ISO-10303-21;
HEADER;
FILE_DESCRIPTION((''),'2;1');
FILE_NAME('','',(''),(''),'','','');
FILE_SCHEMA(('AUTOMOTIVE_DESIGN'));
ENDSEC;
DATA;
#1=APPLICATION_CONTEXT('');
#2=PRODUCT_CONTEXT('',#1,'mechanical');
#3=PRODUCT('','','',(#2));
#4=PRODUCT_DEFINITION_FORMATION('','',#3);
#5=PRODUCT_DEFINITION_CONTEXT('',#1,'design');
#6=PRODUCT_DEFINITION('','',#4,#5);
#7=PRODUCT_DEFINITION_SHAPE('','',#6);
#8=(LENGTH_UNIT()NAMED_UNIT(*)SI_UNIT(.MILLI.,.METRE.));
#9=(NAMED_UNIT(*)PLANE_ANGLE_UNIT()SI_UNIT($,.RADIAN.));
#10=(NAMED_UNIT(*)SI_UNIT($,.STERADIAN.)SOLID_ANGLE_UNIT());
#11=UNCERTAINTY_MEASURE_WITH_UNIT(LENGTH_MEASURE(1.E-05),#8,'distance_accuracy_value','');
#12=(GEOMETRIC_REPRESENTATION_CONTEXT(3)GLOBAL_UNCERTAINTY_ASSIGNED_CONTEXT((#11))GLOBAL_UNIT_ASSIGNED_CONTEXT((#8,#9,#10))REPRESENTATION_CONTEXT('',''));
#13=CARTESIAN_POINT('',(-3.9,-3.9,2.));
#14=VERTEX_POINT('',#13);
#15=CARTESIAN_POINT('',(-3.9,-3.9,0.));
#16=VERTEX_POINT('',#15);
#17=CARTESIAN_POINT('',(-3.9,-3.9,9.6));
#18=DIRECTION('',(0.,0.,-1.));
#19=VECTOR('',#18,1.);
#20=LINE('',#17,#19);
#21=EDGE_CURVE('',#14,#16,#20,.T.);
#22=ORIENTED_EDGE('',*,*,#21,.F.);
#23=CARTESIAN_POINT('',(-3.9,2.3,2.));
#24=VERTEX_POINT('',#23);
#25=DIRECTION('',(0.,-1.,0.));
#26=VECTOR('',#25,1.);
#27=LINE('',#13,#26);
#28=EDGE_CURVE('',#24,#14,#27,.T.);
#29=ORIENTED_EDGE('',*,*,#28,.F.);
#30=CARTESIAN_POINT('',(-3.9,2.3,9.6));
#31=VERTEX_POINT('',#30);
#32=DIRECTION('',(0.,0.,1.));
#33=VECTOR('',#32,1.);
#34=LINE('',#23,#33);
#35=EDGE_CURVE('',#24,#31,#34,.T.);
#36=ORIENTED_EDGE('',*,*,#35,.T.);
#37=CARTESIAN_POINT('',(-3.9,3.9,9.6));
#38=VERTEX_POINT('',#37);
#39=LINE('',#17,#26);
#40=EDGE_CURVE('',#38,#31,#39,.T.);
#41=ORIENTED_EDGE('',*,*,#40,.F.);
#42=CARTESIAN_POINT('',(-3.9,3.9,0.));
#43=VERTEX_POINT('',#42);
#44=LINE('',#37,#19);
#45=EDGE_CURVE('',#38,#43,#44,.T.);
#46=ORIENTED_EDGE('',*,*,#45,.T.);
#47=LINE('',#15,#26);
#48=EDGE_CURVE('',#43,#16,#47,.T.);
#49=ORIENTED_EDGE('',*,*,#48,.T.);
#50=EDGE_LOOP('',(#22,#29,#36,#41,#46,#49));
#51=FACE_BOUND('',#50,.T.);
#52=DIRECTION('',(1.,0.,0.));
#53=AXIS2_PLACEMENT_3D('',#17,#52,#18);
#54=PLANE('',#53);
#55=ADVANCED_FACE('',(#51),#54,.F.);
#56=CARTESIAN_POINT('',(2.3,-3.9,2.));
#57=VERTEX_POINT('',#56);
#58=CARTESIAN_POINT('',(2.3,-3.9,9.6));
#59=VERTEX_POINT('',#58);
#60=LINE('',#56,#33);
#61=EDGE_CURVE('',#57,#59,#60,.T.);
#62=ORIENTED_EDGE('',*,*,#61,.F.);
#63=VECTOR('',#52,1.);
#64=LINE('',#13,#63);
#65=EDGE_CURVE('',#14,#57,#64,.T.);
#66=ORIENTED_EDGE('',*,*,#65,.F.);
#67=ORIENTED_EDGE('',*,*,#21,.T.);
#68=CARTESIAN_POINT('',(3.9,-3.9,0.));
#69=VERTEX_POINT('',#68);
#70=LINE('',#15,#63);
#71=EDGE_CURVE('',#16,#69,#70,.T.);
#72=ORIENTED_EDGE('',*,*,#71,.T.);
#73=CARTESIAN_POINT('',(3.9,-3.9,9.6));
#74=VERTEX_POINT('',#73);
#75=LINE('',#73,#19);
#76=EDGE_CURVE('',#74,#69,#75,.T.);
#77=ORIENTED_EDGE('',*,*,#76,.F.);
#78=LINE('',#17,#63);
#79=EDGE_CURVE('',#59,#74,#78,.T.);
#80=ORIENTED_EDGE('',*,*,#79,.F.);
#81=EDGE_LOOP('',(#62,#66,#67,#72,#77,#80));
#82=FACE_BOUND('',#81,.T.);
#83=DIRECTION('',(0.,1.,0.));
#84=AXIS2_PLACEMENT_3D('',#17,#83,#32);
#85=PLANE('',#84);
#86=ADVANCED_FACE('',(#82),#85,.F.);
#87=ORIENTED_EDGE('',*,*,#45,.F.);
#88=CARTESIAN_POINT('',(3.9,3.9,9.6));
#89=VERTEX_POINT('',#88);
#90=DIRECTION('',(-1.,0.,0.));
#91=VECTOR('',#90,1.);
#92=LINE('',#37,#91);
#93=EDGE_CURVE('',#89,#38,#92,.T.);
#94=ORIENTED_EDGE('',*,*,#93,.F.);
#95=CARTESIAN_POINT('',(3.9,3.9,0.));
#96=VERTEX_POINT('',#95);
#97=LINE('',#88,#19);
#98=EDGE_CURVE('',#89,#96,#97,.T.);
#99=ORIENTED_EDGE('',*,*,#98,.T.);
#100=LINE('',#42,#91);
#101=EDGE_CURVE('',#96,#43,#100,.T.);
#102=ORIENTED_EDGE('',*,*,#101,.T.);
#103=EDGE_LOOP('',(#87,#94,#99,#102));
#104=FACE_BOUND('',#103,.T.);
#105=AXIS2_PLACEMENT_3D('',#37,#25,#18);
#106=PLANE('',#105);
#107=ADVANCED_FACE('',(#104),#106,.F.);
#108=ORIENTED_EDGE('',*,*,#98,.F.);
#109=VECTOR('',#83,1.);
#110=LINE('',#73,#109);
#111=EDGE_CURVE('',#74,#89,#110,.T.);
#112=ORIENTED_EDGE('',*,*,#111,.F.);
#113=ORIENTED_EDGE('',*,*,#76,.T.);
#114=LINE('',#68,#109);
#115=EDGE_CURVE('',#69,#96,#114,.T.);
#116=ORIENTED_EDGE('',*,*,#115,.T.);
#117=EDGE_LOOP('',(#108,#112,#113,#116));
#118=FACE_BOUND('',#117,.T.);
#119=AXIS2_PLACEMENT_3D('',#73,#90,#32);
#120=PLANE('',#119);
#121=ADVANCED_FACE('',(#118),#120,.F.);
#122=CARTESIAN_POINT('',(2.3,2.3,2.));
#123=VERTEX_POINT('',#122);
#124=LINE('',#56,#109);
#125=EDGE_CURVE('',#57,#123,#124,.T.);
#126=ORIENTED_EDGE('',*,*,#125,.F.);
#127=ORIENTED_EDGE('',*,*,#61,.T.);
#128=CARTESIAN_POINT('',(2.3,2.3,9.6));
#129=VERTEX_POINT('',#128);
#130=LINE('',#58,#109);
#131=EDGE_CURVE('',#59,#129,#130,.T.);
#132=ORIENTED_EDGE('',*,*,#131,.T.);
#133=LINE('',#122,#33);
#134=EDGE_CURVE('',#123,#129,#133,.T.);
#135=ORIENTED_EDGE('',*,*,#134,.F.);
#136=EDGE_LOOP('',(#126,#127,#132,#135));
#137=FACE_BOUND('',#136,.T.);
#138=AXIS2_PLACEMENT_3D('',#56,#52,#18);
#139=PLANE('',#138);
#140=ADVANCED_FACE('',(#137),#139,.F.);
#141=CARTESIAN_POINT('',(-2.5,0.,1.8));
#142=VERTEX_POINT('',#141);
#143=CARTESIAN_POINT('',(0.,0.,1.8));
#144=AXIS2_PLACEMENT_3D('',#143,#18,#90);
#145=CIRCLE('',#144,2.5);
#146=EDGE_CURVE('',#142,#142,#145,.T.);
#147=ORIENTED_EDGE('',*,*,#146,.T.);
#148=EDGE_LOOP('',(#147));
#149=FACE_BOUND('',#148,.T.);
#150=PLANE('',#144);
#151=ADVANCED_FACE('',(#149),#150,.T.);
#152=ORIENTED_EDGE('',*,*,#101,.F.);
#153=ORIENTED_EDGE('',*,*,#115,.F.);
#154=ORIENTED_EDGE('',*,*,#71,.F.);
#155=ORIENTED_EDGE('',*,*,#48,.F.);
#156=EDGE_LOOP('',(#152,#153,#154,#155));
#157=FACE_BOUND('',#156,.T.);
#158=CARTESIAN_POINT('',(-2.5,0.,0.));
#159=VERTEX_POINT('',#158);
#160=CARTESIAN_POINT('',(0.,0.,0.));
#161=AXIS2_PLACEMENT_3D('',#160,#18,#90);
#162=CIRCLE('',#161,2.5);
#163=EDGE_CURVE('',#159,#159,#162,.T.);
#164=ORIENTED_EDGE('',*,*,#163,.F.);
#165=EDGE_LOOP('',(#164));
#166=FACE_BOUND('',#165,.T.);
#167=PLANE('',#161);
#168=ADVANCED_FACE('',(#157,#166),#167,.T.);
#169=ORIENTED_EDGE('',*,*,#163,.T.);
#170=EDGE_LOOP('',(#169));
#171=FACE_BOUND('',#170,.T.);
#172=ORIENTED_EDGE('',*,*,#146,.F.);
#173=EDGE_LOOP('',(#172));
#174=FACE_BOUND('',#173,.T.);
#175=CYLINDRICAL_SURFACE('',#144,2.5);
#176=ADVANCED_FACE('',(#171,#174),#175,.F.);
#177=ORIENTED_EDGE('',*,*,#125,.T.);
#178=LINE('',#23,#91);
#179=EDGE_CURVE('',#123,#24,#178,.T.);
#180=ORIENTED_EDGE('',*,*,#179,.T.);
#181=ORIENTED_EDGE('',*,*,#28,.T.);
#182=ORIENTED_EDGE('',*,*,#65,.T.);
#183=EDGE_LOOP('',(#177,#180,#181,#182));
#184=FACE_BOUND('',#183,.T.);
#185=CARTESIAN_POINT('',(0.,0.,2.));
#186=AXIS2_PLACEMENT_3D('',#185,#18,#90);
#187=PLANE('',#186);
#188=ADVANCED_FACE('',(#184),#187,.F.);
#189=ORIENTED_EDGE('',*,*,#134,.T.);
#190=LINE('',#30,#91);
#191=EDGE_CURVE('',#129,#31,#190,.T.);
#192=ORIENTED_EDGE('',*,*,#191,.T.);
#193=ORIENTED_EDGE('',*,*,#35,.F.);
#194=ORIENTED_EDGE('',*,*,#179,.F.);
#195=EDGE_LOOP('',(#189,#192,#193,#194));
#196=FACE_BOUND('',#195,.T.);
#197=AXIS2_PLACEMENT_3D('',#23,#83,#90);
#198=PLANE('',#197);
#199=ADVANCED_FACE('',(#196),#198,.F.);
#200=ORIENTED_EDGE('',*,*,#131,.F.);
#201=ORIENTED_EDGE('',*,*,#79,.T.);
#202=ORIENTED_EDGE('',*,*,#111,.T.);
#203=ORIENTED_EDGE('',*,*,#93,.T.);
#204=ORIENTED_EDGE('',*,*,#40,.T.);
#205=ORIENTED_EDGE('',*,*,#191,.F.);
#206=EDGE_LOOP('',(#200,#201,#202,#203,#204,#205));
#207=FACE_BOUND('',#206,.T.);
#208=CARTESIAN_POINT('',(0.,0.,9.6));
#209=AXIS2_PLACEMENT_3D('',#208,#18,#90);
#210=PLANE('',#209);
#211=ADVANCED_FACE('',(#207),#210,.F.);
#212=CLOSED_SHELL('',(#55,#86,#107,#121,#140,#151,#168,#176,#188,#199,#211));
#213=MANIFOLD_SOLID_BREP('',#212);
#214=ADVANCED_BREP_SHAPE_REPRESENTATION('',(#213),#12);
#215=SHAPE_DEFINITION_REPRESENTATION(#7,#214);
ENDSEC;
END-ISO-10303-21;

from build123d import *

# Parameters (mm, degrees)
SKETCH_1_W          = 7.8
SKETCH_1_H          = 7.8
EXTRUDE_1_DEPTH     = 9.6
SKETCH_6_W          = 6.2
SKETCH_6_H          = 6.2
CUT_EXTRUDE_8_DEPTH = 7.6
SKETCH_9_R          = 2.5
CUT_EXTRUDE_9_DEPTH = 1.8


with BuildPart() as part:
    # Эскиз1 → Бобышка-Вытянуть1 (new body)
    with BuildSketch(Plane.XY):
        Rectangle(SKETCH_1_W, SKETCH_1_H)
    extrude(amount=EXTRUDE_1_DEPTH)

    # Эскиз6 → Вырез-Вытянуть8 (cut)
    with BuildSketch(Plane.XY.offset(9.6)):
        with Locations((-0.8, -0.8)):
            Rectangle(SKETCH_6_W, SKETCH_6_H)
    extrude(amount=-CUT_EXTRUDE_8_DEPTH, mode=Mode.SUBTRACT)

    # Эскиз9 → Вырез-Вытянуть9 (cut)
    with BuildSketch(Plane(origin=(0, 0, 0), x_dir=(-1, 0, 0), z_dir=(0, 0, -1))):
        Circle(SKETCH_9_R)
    extrude(amount=-CUT_EXTRUDE_9_DEPTH, mode=Mode.SUBTRACT)


solid = part.part
